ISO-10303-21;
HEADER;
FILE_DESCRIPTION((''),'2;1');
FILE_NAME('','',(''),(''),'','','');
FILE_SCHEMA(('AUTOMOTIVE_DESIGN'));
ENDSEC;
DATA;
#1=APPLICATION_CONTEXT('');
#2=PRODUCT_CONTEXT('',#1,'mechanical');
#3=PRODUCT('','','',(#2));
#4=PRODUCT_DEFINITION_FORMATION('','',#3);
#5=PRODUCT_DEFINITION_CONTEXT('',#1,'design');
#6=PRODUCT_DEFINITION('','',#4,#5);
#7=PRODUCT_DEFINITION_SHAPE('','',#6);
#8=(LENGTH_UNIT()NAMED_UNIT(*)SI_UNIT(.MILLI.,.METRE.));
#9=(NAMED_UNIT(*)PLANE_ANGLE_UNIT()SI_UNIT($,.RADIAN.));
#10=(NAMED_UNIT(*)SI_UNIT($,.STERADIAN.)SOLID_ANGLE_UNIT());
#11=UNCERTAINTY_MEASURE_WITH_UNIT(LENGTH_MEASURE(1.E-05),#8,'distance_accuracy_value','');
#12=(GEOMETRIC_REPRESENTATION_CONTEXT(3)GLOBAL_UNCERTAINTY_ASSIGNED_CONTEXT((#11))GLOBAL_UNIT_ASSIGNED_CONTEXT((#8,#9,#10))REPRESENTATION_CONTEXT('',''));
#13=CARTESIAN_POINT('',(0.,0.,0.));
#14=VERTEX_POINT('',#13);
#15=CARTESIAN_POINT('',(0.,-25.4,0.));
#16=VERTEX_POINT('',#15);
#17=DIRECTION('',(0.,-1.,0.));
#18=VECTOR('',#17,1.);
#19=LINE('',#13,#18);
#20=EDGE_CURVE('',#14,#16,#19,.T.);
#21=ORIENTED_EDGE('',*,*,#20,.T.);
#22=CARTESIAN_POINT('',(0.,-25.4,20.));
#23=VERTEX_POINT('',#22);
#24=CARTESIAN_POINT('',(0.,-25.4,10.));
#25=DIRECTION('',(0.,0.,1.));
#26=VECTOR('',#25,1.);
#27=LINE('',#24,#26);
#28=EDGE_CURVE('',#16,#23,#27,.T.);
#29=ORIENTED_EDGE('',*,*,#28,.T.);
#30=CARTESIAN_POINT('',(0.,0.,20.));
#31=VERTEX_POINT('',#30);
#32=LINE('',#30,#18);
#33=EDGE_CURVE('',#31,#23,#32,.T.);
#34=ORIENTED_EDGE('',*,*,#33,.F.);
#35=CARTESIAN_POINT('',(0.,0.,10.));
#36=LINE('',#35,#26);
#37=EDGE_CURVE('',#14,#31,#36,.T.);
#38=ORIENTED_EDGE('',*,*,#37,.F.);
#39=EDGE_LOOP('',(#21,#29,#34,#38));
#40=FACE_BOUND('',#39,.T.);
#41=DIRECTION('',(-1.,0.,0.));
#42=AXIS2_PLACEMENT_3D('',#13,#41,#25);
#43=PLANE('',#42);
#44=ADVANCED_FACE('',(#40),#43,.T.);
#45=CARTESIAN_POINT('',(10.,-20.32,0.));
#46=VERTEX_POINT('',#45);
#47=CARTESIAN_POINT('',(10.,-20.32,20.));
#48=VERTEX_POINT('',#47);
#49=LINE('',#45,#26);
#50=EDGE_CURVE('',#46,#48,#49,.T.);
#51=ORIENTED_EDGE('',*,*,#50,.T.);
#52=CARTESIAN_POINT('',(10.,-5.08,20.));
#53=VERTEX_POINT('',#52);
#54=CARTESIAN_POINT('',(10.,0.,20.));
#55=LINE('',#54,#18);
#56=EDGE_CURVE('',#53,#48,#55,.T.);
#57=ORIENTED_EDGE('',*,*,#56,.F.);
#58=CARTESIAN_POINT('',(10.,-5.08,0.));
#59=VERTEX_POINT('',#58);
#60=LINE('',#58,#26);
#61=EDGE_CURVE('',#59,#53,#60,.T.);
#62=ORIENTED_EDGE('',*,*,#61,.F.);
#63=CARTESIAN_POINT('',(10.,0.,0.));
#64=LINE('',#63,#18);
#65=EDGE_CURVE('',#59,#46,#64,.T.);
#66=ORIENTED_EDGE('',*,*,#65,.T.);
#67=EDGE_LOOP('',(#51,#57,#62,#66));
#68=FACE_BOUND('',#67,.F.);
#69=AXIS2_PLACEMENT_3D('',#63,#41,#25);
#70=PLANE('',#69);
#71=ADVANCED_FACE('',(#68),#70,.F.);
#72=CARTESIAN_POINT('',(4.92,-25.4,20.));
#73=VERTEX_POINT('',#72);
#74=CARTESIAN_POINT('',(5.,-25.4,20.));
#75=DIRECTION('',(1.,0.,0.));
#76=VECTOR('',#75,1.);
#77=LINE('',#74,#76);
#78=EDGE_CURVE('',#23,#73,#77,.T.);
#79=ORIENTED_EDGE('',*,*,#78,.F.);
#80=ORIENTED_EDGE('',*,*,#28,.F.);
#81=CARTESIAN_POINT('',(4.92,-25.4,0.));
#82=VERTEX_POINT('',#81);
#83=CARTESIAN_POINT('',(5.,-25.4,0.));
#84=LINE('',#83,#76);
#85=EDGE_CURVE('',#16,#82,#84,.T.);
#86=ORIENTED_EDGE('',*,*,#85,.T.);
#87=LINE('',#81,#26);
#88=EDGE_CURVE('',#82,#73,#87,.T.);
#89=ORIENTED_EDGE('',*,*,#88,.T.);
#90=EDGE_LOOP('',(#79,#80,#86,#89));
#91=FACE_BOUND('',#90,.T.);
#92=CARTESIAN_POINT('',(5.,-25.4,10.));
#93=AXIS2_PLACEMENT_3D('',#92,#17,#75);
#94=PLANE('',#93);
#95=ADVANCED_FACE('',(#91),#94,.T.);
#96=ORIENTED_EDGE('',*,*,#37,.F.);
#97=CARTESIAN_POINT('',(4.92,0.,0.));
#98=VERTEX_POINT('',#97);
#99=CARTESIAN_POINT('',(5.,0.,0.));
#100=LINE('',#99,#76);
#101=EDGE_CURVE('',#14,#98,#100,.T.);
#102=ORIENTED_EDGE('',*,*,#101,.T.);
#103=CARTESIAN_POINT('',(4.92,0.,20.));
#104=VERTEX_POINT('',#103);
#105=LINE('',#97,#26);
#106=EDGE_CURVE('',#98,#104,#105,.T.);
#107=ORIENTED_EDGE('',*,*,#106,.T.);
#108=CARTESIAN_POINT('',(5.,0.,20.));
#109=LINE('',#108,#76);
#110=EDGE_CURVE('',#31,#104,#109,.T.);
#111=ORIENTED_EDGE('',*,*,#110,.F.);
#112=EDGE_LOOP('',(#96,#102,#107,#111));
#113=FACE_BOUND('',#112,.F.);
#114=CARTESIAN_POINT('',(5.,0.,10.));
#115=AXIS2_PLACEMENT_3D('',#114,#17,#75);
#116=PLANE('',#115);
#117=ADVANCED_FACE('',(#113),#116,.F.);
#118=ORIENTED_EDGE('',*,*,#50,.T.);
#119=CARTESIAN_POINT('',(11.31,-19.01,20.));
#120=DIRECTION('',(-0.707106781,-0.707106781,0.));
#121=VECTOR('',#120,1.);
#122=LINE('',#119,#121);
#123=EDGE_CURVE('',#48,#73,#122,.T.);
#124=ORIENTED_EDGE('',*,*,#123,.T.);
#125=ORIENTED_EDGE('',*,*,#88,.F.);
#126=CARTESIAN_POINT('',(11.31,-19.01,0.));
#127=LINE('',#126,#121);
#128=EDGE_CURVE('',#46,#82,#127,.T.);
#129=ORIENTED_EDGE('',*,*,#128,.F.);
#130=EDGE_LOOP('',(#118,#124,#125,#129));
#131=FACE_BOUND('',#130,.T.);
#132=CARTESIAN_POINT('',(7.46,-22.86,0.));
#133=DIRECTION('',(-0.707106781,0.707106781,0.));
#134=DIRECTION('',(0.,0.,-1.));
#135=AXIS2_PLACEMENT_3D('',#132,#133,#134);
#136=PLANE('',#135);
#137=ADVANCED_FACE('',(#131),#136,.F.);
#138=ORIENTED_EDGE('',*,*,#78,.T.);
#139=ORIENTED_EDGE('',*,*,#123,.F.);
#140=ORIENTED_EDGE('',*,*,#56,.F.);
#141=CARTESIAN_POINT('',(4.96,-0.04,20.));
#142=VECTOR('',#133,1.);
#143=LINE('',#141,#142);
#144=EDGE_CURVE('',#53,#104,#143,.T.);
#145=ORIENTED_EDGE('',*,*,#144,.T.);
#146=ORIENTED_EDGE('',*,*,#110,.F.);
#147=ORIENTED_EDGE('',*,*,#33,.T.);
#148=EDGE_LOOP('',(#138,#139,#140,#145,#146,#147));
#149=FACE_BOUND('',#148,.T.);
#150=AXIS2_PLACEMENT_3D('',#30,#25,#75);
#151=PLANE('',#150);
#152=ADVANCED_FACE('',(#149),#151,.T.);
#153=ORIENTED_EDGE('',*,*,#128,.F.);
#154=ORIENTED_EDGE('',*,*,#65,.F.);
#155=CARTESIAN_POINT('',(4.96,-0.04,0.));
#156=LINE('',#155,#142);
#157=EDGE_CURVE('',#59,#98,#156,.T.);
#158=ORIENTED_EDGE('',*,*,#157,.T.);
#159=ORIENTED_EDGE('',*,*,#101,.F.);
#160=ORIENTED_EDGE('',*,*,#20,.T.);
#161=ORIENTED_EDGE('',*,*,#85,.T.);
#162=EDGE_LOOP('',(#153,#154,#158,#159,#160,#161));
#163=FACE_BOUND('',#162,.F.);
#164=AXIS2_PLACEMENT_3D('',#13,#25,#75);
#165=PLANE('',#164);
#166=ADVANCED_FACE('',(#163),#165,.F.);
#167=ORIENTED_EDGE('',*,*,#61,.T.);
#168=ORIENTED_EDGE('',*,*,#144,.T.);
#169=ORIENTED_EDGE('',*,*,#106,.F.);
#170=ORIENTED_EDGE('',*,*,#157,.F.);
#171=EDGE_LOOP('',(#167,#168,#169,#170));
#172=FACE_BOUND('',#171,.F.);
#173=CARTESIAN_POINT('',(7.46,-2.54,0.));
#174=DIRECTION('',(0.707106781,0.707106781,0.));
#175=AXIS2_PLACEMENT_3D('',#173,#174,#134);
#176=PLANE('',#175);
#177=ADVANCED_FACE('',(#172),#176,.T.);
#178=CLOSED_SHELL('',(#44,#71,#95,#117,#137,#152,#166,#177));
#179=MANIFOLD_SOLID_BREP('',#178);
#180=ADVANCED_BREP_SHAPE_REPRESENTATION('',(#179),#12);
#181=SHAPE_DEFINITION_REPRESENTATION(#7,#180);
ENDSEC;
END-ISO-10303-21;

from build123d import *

# Parameters (mm, degrees)
F0_W     = 10
F0_H     = 20
F1_DEPTH = 25.4
F2_SIZE  = 5.08


with BuildPart() as f1:
    # F0 (on Front) → F1 (new body)
    with BuildSketch(Plane.XZ):
        with Locations((5, 10)):
            Rectangle(F0_W, F0_H)
    extrude(amount=F1_DEPTH)

    # F2
    f2_edges = [f1.edges().sort_by_distance(p)[0] for p in [
        (10, -25.4, 10),
        (10, 0, 10),
    ]]
    chamfer(f2_edges, length=F2_SIZE)


solid = f1.part
